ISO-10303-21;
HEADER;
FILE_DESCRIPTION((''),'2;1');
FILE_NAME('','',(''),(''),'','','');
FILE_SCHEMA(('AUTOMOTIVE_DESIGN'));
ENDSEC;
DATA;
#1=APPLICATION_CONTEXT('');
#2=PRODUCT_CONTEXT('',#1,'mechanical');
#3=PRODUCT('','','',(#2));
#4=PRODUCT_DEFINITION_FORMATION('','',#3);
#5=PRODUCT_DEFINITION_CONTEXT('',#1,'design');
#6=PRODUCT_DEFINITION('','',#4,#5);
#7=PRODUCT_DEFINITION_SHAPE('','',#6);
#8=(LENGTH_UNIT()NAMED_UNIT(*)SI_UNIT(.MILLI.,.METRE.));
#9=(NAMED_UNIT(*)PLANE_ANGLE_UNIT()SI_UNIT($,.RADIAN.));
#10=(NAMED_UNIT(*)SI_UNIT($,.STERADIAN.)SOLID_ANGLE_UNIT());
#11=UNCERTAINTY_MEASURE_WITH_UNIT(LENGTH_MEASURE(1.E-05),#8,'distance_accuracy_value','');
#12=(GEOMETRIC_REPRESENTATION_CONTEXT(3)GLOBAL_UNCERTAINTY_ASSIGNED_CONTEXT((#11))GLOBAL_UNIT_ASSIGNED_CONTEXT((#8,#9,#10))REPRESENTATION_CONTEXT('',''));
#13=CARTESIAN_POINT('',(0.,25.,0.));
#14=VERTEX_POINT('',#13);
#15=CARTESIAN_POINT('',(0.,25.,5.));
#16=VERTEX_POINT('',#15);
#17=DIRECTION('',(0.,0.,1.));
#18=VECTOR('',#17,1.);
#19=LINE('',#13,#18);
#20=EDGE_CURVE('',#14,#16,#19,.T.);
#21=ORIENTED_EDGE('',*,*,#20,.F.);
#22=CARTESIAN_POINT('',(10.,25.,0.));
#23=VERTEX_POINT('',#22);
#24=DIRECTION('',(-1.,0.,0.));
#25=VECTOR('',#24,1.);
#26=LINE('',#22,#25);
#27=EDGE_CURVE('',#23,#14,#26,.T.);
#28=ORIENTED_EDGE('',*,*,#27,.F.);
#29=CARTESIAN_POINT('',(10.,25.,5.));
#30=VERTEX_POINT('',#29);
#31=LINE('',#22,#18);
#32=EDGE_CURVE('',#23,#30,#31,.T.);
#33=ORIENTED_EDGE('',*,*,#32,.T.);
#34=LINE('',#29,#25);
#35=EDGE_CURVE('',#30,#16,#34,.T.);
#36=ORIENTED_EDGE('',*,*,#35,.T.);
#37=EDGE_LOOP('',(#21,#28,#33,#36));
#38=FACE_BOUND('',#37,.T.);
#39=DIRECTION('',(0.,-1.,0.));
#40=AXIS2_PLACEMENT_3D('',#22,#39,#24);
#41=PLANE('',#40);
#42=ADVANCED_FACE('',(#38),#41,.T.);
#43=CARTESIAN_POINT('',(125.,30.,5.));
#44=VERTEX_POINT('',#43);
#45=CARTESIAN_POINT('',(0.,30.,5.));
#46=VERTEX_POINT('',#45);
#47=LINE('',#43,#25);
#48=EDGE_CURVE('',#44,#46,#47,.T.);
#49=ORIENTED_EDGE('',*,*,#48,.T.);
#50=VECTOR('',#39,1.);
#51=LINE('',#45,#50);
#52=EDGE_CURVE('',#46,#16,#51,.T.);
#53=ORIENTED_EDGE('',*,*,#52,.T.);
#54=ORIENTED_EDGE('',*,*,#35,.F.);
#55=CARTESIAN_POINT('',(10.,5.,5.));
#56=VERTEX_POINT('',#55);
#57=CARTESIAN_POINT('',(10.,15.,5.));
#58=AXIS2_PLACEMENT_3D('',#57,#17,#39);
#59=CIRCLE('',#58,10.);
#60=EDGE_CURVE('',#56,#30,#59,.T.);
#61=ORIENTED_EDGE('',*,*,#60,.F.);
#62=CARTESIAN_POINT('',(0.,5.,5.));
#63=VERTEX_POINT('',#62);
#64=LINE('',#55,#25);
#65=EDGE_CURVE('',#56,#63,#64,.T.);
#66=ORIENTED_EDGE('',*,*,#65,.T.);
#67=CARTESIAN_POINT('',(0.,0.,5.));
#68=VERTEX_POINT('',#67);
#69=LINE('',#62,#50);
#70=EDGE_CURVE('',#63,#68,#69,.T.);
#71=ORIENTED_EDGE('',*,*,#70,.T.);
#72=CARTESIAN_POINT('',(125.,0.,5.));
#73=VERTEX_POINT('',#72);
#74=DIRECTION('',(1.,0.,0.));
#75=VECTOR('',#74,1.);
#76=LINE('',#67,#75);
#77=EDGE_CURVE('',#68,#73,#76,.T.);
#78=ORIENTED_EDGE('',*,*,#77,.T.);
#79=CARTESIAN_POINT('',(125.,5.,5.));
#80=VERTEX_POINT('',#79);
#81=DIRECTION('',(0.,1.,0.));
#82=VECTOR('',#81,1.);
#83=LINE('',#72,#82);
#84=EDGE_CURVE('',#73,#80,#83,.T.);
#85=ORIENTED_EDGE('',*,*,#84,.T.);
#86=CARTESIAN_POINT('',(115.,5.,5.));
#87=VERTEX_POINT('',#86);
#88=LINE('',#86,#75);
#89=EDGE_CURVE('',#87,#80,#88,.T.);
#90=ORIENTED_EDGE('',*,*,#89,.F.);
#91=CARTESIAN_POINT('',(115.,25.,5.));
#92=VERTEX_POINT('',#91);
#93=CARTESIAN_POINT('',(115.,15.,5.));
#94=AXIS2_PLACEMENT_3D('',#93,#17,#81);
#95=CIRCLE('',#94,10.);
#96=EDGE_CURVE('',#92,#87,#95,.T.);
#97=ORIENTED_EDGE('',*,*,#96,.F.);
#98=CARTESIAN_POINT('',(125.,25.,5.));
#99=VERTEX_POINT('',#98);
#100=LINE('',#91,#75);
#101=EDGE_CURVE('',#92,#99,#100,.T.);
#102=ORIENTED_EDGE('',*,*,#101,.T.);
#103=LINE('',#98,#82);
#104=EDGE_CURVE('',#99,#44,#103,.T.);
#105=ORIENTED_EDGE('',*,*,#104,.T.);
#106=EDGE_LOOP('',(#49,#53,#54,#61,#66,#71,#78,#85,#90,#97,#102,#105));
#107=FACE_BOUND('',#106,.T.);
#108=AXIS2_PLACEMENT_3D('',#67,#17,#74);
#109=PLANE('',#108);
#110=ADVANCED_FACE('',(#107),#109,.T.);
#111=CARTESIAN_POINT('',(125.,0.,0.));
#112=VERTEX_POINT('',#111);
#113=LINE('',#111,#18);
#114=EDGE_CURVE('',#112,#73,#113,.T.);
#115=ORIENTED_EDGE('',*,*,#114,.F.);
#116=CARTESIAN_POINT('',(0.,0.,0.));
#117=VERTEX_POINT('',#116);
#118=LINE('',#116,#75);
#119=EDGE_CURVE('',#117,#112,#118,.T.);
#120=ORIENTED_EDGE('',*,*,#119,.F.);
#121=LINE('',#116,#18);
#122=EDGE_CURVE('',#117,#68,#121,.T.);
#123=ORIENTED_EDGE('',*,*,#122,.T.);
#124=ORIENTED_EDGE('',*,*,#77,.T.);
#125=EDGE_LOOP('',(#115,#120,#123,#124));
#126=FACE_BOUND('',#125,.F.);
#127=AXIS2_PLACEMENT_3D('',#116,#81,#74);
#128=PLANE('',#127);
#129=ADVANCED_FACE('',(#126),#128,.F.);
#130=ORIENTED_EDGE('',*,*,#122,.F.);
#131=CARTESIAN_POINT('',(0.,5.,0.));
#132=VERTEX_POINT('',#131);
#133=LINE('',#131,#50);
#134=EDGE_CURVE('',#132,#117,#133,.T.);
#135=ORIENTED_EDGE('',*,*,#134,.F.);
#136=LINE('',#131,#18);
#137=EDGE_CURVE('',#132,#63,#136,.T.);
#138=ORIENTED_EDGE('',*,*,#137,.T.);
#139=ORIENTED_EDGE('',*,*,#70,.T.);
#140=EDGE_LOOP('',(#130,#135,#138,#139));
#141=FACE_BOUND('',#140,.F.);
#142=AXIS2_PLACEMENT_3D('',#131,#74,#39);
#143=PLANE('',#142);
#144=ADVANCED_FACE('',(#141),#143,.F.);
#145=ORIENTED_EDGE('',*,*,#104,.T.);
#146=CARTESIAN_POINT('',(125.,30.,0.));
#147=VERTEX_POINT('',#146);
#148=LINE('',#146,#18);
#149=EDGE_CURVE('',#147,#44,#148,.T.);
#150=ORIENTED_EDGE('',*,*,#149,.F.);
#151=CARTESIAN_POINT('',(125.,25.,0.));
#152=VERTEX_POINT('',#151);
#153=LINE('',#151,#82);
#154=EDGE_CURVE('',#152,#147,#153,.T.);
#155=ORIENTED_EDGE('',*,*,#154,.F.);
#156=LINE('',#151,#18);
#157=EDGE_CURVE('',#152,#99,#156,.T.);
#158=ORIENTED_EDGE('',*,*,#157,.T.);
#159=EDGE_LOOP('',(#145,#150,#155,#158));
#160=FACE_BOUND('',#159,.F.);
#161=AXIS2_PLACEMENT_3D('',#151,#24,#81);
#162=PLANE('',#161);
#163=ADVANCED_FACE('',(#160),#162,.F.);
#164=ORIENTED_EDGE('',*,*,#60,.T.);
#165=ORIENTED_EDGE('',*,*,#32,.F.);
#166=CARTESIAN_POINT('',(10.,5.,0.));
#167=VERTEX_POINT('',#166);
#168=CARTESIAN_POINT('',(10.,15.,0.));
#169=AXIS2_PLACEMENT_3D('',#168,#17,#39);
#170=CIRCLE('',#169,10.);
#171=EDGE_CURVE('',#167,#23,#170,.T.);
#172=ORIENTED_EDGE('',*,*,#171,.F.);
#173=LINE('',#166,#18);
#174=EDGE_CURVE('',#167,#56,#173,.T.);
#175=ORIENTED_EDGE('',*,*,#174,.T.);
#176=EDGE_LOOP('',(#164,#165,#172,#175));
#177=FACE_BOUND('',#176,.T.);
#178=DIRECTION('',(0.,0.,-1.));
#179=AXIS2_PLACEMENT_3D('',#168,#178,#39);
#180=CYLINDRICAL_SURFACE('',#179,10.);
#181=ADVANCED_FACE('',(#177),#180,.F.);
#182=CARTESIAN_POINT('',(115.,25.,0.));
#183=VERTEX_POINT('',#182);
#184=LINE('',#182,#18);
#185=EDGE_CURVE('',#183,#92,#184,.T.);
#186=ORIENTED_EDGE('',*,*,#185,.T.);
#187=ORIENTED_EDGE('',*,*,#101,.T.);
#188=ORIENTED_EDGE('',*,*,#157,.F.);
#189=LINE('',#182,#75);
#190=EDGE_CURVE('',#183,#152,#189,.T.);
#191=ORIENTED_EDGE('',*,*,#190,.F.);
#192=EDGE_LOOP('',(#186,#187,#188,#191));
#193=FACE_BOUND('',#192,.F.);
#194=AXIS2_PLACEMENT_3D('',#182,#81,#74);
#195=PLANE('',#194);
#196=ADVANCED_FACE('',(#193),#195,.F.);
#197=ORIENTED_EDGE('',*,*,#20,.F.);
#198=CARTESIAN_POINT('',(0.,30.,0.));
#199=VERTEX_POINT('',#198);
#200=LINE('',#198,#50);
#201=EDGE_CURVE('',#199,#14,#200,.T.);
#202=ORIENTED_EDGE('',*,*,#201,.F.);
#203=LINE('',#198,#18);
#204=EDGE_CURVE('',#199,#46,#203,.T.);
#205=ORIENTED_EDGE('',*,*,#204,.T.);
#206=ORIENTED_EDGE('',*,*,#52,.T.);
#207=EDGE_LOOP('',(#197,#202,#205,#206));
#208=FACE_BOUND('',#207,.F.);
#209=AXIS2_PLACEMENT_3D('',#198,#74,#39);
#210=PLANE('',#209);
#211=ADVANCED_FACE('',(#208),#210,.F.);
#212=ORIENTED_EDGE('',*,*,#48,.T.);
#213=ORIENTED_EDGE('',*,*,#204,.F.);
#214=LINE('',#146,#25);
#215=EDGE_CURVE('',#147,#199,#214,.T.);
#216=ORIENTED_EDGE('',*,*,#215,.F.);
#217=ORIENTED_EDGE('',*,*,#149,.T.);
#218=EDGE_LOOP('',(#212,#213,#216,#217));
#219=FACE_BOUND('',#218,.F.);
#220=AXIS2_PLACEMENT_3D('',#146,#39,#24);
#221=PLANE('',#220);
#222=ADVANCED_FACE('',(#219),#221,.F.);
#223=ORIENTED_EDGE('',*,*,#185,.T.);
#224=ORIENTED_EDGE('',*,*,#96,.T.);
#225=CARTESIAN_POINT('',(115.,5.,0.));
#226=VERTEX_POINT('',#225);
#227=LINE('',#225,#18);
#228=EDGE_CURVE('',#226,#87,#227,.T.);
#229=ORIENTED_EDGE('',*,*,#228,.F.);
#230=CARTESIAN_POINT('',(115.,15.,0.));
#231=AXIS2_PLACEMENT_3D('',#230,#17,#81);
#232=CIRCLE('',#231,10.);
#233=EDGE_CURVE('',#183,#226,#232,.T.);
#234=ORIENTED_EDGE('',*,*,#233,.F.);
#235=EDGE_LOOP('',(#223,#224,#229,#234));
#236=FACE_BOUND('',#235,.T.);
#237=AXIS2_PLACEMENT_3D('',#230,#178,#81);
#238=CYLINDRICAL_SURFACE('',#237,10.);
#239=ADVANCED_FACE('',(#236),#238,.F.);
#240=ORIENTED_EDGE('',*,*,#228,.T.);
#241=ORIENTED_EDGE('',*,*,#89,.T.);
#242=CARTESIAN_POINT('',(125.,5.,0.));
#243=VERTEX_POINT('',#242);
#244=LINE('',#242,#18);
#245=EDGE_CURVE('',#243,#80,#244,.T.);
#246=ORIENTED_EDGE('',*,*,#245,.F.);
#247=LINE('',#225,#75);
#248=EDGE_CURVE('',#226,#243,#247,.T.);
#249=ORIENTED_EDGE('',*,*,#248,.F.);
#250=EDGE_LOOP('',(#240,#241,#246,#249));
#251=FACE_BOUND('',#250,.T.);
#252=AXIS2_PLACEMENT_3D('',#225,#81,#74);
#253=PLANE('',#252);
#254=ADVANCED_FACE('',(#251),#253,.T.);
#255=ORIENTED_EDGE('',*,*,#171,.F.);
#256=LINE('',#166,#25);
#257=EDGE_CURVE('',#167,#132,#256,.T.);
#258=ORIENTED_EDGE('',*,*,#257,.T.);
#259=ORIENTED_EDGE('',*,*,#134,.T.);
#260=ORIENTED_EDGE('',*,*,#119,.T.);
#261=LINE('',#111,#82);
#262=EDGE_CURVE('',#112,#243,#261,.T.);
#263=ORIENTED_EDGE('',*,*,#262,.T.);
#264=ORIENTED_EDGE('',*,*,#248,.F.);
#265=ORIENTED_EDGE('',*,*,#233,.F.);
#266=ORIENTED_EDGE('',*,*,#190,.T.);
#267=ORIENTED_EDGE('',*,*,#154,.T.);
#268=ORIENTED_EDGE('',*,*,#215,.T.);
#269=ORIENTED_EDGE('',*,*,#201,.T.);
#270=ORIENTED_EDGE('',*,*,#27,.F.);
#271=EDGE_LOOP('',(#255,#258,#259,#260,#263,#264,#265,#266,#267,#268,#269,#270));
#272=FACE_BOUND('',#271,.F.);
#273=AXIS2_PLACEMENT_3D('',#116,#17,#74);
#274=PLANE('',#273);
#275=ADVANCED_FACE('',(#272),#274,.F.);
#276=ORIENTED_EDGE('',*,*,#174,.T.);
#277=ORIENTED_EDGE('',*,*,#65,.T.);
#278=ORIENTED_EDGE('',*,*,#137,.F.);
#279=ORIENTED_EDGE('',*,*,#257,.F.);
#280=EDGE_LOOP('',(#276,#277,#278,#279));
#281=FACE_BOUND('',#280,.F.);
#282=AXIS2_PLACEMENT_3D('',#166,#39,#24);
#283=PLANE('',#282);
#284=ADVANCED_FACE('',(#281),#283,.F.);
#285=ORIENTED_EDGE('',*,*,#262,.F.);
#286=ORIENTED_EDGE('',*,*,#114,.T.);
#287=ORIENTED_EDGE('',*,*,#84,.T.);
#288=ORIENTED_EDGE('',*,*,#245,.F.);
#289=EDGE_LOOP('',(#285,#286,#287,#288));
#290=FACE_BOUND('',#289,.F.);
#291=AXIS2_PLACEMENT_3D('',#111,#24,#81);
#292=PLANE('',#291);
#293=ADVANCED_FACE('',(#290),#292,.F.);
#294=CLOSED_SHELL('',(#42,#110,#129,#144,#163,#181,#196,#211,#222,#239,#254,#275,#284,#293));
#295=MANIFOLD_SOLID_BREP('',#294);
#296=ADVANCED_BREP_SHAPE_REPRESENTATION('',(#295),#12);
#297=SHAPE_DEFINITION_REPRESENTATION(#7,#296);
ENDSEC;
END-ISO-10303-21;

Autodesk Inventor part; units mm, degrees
ref_plane "YZ Plane" through (0, 0, 0) normal (1, 0, 0) x (0, 1, 0)
ref_plane "XZ Plane" through (0, 0, 0) normal (0, 1, 0) x (-1, 0, 0)
ref_plane "XY Plane" through (0, 0, 0) normal (0, 0, 1) x (1, 0, 0)
sketch "スケッチ1" plane through (0, 0, 0) normal (0, 0, 1) x (1, 0, 0)
  line L0 (0, 0) -> (125, 0)
  line L1 (125, 30) -> (0, 30)
  arc A0 (10, 5) -> (10, 25) centre (10, 15) ccw
  arc A1 (115, 25) -> (115, 5) centre (115, 15) ccw
  line L2 (10, 25) -> (0, 25)
  line L3 (10, 5) -> (0, 5)
  line L4 (115, 25) -> (125, 25)
  line L5 (115, 5) -> (125, 5)
  line L6 (0, 30) -> (0, 25)
  line L7 (0, 5) -> (0, 0)
  line L8 (125, 0) -> (125, 5)
  line L9 (125, 25) -> (125, 30)
  dimension "d0" = 125
  dimension "d1" = 30
  dimension "d2" = 20
  dimension "d3" = 20
  dimension "d7" = 125
  dimension "d9" = 5
  dimension "d12" = 10
  dimension "d15" = 115
extrude "押し出し1" add sketch "スケッチ1" along normal blind 5
properties part number "RescueKit-Slide"
